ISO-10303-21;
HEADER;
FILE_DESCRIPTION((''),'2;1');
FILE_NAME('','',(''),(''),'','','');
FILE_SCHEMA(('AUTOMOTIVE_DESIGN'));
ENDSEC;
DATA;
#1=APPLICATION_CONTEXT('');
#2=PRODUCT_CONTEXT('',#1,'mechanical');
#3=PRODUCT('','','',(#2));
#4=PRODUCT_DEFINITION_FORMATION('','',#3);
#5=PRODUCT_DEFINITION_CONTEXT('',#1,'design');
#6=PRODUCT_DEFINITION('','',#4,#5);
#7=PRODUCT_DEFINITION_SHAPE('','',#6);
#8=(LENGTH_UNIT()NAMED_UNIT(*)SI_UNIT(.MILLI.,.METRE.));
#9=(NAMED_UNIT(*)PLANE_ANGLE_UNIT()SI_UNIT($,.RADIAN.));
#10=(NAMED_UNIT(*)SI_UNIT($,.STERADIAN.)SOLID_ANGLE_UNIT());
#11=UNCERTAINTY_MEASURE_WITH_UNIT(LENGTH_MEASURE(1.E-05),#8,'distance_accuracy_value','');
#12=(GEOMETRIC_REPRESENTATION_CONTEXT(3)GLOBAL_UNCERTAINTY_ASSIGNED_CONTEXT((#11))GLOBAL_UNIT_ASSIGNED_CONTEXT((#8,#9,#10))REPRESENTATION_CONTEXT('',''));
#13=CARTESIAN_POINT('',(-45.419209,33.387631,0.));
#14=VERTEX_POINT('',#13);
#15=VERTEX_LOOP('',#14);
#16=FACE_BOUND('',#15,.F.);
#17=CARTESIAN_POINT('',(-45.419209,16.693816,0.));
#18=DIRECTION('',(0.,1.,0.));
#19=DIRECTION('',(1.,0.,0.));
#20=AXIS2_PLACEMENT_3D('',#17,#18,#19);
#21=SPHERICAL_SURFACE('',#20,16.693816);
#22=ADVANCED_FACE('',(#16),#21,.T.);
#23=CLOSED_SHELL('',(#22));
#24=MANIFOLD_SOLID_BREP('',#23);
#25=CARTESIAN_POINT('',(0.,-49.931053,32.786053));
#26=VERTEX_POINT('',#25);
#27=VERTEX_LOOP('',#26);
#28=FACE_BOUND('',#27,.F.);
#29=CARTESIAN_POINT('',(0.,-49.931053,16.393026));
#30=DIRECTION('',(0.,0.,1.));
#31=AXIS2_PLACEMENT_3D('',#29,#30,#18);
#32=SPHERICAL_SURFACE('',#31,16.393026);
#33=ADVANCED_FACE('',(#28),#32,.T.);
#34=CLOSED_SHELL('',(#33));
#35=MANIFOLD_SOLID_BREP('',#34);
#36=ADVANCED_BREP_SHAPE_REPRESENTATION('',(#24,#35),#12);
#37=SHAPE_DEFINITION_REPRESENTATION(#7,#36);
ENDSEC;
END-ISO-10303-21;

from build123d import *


with BuildPart() as f1:
    # F0 (on Top) → F1 (revolve)
    with BuildSketch(Plane.XY):
        with BuildLine():
            ThreePointArc((-45.4192087054, 0), (-28.7253931165, 16.693815589), (-45.4192087054, 33.3876311779))
            Line((-45.4192087054, 33.3876311779), (-45.4192087054, 0))
        make_face()
    revolve(axis=Axis((-45.4192087054, 16.693815589, 0), (0, -1, 0)))


with BuildPart() as f3:
    # F2 (on Right) → F3 (revolve)
    with BuildSketch(Plane.YZ):
        with BuildLine():
            ThreePointArc((-49.9310530722, 0), (-33.5380267352, 16.393026337), (-49.9310530722, 32.7860526741))
            Line((-49.9310530722, 32.7860526741), (-49.9310530722, 0))
        make_face()
    revolve(axis=Axis((0, -49.9310530722, 16.393026337), (0, 0, -1)))


solid = Compound([f1.part, f3.part])
